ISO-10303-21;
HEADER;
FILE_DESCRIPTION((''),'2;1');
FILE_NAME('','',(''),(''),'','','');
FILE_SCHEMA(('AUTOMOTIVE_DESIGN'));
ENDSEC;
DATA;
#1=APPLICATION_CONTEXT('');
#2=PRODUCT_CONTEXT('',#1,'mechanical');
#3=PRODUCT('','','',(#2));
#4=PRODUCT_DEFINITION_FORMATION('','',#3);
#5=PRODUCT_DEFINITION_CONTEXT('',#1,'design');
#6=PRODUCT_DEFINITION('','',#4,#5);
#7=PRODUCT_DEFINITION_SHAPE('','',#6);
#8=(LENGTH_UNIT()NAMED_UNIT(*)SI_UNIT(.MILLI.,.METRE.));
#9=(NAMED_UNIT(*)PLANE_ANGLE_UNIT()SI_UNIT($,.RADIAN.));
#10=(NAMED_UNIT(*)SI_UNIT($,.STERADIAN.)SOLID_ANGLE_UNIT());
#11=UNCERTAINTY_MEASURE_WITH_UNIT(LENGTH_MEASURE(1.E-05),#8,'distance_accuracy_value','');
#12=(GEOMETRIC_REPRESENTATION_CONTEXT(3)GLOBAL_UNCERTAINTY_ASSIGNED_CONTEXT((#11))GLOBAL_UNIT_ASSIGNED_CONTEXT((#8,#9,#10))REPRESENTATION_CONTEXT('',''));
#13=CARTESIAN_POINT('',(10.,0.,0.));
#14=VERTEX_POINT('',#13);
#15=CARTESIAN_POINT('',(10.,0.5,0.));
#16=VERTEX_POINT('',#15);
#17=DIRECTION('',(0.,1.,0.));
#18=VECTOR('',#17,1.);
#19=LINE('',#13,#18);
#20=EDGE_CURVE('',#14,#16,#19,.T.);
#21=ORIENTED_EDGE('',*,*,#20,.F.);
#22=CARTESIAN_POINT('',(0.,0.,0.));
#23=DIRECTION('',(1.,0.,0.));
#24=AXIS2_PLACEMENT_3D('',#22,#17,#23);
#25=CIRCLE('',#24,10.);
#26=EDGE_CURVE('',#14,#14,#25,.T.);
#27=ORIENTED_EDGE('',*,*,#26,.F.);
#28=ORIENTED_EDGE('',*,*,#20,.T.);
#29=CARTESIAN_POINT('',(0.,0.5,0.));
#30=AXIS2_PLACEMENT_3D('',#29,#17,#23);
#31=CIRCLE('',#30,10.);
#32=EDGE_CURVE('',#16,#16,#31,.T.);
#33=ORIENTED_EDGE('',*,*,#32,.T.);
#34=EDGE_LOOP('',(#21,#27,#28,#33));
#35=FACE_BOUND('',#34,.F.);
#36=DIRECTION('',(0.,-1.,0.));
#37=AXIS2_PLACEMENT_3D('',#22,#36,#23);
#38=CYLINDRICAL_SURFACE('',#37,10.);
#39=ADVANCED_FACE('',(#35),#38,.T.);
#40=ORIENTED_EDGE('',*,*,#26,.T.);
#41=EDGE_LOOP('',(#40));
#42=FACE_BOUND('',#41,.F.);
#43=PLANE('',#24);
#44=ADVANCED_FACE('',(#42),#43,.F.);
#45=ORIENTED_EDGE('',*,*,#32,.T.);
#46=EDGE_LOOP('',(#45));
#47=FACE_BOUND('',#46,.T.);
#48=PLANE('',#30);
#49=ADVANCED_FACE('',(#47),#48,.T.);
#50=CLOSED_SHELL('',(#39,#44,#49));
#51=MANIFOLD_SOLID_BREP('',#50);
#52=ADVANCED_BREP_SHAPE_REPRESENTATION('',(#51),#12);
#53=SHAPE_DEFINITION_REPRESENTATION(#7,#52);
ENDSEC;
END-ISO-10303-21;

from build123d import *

# Parameters (mm, degrees)
SKETCH1_R      = 10
PFA_FILM_DEPTH = 0.5


with BuildPart() as part:
    # Sketch1 → PFA film (new body)
    with BuildSketch(Plane(origin=(0, 0, 0), x_dir=(1, 0, 0), z_dir=(0, 1, 0))):
        Circle(SKETCH1_R)
    extrude(amount=PFA_FILM_DEPTH)


solid = part.part
